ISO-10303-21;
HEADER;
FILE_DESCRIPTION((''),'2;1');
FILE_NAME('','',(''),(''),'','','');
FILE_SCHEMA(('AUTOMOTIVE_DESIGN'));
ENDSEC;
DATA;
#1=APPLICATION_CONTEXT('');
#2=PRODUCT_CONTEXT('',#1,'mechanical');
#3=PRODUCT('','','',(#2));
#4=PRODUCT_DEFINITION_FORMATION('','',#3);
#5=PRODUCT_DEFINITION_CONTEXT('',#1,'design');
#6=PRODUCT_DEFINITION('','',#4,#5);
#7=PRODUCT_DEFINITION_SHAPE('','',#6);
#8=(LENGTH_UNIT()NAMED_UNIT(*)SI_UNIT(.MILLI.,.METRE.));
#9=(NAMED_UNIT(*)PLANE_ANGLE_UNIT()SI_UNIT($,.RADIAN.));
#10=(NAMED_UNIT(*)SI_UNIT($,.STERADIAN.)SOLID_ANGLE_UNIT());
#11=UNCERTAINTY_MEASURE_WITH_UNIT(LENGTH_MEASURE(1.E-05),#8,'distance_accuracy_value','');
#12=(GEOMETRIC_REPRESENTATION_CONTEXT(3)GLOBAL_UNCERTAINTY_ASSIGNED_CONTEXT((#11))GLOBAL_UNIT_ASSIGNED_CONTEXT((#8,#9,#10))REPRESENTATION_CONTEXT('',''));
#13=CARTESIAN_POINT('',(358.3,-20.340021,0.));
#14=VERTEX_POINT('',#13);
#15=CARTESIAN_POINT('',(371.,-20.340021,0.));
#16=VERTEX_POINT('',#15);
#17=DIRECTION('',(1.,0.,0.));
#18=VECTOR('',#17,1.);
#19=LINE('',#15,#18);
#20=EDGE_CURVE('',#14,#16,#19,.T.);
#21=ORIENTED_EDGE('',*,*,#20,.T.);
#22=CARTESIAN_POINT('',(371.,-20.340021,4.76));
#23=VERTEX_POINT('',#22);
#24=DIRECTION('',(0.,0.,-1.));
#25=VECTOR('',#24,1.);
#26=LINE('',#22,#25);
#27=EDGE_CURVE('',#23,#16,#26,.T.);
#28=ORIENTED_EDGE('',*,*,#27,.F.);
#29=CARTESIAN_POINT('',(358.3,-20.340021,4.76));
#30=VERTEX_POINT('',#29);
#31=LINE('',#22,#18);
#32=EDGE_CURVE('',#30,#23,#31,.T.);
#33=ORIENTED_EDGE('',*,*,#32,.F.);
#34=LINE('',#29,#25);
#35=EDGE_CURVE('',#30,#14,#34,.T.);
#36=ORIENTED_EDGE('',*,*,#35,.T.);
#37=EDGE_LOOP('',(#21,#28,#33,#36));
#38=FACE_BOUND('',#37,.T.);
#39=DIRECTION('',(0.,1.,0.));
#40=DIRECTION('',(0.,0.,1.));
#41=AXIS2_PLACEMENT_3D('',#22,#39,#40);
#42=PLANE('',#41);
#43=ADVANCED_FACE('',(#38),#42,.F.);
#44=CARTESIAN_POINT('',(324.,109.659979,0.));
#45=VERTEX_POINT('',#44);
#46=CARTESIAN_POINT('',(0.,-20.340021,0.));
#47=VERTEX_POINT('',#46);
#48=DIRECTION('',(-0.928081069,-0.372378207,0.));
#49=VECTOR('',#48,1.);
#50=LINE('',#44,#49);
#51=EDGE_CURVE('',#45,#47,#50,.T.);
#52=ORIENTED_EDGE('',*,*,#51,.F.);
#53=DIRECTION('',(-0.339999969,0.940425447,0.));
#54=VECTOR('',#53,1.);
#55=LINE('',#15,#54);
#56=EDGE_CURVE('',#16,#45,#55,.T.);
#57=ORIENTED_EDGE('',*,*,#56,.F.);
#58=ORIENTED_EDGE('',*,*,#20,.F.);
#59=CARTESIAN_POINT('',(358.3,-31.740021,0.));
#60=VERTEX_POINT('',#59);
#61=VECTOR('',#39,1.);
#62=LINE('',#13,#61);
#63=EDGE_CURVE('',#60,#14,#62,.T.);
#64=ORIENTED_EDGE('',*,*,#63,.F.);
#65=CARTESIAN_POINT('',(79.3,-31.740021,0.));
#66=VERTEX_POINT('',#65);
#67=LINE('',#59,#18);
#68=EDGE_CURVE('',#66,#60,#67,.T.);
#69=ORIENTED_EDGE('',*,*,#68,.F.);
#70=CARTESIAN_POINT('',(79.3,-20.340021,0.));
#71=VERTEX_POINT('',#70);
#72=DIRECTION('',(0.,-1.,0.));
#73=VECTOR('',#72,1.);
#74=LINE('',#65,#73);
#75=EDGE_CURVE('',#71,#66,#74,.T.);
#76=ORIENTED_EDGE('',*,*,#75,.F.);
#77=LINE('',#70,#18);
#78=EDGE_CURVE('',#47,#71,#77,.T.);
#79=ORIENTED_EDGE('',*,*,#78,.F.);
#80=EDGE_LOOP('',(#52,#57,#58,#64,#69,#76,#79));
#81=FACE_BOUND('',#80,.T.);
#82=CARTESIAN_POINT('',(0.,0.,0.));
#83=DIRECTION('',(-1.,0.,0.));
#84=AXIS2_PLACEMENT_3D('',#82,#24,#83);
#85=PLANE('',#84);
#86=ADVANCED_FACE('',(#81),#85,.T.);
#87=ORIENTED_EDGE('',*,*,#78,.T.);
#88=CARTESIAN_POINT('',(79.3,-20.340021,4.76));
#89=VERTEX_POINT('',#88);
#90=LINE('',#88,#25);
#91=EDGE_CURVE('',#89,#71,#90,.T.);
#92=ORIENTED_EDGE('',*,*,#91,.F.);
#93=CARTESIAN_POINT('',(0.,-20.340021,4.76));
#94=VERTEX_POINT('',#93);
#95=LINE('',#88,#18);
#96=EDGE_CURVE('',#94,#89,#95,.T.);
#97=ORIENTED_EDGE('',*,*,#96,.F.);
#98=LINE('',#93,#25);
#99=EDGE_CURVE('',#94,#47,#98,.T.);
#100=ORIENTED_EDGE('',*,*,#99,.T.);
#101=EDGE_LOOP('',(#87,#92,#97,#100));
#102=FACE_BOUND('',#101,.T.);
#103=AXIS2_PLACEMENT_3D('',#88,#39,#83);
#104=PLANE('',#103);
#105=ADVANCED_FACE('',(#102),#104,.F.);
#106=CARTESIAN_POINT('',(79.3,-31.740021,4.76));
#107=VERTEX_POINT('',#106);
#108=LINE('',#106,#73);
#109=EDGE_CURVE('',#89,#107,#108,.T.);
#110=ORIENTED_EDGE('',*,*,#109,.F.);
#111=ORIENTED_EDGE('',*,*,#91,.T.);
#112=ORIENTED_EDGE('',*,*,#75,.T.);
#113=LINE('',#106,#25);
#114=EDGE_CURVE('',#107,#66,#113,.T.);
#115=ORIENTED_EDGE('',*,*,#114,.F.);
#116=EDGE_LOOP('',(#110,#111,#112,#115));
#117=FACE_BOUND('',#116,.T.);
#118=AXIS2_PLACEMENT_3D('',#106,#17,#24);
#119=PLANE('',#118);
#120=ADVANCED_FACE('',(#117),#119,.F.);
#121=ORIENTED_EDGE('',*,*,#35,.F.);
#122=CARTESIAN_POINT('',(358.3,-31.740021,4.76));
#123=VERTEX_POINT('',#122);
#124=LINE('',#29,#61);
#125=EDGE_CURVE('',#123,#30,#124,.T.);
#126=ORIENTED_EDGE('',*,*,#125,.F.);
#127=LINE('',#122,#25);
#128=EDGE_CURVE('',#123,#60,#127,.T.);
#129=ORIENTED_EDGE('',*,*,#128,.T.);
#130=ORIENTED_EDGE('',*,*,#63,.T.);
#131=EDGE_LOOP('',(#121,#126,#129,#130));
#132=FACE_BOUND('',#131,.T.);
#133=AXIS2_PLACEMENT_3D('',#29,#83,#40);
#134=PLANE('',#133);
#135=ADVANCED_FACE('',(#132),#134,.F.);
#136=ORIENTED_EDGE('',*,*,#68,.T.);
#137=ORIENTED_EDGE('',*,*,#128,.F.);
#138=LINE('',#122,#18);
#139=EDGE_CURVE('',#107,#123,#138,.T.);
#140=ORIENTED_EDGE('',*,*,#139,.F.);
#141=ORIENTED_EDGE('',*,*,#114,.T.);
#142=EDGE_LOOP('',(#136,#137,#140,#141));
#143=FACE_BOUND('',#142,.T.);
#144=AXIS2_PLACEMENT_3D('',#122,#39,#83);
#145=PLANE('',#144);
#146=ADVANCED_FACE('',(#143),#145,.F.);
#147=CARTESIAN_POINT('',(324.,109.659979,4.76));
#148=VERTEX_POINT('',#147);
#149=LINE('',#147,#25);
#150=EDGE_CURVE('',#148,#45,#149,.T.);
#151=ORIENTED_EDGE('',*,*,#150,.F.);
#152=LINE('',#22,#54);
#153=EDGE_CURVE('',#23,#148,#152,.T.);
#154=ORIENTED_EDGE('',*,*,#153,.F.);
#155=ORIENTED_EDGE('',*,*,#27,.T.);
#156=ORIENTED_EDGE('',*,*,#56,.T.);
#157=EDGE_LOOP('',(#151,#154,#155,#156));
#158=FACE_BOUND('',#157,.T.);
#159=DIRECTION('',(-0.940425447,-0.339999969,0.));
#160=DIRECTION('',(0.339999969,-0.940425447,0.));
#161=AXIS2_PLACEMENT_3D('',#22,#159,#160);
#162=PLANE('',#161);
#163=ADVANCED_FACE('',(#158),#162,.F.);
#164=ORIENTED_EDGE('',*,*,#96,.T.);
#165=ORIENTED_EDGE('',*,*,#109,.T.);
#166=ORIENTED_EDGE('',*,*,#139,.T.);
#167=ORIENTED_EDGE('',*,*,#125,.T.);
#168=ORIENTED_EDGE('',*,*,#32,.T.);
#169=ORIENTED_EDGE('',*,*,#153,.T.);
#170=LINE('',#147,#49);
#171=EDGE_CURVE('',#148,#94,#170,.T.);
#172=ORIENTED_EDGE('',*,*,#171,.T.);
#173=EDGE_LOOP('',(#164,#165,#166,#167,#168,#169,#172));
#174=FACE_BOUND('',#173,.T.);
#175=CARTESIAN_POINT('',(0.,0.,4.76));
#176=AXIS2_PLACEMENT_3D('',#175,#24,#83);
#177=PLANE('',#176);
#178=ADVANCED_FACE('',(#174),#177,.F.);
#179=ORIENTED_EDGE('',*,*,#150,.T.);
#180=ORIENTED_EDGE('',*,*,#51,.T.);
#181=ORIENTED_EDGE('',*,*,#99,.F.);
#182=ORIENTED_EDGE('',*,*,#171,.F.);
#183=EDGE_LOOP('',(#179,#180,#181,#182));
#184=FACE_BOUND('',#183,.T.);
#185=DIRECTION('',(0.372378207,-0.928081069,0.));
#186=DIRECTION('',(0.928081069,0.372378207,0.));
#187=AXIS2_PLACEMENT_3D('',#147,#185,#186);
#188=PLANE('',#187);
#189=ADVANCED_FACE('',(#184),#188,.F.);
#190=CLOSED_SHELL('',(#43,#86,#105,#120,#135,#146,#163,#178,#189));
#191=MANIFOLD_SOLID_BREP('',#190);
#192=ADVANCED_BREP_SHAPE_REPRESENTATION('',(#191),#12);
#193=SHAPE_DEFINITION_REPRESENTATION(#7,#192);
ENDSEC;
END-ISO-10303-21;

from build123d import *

# Parameters (mm, degrees)
BOSS_EXTRUDE1_DEPTH = 4.76


with BuildPart() as part:
    # Sketch2 → Boss-Extrude1 (new body)
    with BuildSketch(Plane.XY):
        Polygon((371, -20.340021117), (324, 109.659978883), (0, -20.340021117), (79.3, -20.340021117), (79.3, -31.740021117), (358.3, -31.740021117), (358.3, -20.340021117), align=None)
    extrude(amount=BOSS_EXTRUDE1_DEPTH)


solid = part.part
